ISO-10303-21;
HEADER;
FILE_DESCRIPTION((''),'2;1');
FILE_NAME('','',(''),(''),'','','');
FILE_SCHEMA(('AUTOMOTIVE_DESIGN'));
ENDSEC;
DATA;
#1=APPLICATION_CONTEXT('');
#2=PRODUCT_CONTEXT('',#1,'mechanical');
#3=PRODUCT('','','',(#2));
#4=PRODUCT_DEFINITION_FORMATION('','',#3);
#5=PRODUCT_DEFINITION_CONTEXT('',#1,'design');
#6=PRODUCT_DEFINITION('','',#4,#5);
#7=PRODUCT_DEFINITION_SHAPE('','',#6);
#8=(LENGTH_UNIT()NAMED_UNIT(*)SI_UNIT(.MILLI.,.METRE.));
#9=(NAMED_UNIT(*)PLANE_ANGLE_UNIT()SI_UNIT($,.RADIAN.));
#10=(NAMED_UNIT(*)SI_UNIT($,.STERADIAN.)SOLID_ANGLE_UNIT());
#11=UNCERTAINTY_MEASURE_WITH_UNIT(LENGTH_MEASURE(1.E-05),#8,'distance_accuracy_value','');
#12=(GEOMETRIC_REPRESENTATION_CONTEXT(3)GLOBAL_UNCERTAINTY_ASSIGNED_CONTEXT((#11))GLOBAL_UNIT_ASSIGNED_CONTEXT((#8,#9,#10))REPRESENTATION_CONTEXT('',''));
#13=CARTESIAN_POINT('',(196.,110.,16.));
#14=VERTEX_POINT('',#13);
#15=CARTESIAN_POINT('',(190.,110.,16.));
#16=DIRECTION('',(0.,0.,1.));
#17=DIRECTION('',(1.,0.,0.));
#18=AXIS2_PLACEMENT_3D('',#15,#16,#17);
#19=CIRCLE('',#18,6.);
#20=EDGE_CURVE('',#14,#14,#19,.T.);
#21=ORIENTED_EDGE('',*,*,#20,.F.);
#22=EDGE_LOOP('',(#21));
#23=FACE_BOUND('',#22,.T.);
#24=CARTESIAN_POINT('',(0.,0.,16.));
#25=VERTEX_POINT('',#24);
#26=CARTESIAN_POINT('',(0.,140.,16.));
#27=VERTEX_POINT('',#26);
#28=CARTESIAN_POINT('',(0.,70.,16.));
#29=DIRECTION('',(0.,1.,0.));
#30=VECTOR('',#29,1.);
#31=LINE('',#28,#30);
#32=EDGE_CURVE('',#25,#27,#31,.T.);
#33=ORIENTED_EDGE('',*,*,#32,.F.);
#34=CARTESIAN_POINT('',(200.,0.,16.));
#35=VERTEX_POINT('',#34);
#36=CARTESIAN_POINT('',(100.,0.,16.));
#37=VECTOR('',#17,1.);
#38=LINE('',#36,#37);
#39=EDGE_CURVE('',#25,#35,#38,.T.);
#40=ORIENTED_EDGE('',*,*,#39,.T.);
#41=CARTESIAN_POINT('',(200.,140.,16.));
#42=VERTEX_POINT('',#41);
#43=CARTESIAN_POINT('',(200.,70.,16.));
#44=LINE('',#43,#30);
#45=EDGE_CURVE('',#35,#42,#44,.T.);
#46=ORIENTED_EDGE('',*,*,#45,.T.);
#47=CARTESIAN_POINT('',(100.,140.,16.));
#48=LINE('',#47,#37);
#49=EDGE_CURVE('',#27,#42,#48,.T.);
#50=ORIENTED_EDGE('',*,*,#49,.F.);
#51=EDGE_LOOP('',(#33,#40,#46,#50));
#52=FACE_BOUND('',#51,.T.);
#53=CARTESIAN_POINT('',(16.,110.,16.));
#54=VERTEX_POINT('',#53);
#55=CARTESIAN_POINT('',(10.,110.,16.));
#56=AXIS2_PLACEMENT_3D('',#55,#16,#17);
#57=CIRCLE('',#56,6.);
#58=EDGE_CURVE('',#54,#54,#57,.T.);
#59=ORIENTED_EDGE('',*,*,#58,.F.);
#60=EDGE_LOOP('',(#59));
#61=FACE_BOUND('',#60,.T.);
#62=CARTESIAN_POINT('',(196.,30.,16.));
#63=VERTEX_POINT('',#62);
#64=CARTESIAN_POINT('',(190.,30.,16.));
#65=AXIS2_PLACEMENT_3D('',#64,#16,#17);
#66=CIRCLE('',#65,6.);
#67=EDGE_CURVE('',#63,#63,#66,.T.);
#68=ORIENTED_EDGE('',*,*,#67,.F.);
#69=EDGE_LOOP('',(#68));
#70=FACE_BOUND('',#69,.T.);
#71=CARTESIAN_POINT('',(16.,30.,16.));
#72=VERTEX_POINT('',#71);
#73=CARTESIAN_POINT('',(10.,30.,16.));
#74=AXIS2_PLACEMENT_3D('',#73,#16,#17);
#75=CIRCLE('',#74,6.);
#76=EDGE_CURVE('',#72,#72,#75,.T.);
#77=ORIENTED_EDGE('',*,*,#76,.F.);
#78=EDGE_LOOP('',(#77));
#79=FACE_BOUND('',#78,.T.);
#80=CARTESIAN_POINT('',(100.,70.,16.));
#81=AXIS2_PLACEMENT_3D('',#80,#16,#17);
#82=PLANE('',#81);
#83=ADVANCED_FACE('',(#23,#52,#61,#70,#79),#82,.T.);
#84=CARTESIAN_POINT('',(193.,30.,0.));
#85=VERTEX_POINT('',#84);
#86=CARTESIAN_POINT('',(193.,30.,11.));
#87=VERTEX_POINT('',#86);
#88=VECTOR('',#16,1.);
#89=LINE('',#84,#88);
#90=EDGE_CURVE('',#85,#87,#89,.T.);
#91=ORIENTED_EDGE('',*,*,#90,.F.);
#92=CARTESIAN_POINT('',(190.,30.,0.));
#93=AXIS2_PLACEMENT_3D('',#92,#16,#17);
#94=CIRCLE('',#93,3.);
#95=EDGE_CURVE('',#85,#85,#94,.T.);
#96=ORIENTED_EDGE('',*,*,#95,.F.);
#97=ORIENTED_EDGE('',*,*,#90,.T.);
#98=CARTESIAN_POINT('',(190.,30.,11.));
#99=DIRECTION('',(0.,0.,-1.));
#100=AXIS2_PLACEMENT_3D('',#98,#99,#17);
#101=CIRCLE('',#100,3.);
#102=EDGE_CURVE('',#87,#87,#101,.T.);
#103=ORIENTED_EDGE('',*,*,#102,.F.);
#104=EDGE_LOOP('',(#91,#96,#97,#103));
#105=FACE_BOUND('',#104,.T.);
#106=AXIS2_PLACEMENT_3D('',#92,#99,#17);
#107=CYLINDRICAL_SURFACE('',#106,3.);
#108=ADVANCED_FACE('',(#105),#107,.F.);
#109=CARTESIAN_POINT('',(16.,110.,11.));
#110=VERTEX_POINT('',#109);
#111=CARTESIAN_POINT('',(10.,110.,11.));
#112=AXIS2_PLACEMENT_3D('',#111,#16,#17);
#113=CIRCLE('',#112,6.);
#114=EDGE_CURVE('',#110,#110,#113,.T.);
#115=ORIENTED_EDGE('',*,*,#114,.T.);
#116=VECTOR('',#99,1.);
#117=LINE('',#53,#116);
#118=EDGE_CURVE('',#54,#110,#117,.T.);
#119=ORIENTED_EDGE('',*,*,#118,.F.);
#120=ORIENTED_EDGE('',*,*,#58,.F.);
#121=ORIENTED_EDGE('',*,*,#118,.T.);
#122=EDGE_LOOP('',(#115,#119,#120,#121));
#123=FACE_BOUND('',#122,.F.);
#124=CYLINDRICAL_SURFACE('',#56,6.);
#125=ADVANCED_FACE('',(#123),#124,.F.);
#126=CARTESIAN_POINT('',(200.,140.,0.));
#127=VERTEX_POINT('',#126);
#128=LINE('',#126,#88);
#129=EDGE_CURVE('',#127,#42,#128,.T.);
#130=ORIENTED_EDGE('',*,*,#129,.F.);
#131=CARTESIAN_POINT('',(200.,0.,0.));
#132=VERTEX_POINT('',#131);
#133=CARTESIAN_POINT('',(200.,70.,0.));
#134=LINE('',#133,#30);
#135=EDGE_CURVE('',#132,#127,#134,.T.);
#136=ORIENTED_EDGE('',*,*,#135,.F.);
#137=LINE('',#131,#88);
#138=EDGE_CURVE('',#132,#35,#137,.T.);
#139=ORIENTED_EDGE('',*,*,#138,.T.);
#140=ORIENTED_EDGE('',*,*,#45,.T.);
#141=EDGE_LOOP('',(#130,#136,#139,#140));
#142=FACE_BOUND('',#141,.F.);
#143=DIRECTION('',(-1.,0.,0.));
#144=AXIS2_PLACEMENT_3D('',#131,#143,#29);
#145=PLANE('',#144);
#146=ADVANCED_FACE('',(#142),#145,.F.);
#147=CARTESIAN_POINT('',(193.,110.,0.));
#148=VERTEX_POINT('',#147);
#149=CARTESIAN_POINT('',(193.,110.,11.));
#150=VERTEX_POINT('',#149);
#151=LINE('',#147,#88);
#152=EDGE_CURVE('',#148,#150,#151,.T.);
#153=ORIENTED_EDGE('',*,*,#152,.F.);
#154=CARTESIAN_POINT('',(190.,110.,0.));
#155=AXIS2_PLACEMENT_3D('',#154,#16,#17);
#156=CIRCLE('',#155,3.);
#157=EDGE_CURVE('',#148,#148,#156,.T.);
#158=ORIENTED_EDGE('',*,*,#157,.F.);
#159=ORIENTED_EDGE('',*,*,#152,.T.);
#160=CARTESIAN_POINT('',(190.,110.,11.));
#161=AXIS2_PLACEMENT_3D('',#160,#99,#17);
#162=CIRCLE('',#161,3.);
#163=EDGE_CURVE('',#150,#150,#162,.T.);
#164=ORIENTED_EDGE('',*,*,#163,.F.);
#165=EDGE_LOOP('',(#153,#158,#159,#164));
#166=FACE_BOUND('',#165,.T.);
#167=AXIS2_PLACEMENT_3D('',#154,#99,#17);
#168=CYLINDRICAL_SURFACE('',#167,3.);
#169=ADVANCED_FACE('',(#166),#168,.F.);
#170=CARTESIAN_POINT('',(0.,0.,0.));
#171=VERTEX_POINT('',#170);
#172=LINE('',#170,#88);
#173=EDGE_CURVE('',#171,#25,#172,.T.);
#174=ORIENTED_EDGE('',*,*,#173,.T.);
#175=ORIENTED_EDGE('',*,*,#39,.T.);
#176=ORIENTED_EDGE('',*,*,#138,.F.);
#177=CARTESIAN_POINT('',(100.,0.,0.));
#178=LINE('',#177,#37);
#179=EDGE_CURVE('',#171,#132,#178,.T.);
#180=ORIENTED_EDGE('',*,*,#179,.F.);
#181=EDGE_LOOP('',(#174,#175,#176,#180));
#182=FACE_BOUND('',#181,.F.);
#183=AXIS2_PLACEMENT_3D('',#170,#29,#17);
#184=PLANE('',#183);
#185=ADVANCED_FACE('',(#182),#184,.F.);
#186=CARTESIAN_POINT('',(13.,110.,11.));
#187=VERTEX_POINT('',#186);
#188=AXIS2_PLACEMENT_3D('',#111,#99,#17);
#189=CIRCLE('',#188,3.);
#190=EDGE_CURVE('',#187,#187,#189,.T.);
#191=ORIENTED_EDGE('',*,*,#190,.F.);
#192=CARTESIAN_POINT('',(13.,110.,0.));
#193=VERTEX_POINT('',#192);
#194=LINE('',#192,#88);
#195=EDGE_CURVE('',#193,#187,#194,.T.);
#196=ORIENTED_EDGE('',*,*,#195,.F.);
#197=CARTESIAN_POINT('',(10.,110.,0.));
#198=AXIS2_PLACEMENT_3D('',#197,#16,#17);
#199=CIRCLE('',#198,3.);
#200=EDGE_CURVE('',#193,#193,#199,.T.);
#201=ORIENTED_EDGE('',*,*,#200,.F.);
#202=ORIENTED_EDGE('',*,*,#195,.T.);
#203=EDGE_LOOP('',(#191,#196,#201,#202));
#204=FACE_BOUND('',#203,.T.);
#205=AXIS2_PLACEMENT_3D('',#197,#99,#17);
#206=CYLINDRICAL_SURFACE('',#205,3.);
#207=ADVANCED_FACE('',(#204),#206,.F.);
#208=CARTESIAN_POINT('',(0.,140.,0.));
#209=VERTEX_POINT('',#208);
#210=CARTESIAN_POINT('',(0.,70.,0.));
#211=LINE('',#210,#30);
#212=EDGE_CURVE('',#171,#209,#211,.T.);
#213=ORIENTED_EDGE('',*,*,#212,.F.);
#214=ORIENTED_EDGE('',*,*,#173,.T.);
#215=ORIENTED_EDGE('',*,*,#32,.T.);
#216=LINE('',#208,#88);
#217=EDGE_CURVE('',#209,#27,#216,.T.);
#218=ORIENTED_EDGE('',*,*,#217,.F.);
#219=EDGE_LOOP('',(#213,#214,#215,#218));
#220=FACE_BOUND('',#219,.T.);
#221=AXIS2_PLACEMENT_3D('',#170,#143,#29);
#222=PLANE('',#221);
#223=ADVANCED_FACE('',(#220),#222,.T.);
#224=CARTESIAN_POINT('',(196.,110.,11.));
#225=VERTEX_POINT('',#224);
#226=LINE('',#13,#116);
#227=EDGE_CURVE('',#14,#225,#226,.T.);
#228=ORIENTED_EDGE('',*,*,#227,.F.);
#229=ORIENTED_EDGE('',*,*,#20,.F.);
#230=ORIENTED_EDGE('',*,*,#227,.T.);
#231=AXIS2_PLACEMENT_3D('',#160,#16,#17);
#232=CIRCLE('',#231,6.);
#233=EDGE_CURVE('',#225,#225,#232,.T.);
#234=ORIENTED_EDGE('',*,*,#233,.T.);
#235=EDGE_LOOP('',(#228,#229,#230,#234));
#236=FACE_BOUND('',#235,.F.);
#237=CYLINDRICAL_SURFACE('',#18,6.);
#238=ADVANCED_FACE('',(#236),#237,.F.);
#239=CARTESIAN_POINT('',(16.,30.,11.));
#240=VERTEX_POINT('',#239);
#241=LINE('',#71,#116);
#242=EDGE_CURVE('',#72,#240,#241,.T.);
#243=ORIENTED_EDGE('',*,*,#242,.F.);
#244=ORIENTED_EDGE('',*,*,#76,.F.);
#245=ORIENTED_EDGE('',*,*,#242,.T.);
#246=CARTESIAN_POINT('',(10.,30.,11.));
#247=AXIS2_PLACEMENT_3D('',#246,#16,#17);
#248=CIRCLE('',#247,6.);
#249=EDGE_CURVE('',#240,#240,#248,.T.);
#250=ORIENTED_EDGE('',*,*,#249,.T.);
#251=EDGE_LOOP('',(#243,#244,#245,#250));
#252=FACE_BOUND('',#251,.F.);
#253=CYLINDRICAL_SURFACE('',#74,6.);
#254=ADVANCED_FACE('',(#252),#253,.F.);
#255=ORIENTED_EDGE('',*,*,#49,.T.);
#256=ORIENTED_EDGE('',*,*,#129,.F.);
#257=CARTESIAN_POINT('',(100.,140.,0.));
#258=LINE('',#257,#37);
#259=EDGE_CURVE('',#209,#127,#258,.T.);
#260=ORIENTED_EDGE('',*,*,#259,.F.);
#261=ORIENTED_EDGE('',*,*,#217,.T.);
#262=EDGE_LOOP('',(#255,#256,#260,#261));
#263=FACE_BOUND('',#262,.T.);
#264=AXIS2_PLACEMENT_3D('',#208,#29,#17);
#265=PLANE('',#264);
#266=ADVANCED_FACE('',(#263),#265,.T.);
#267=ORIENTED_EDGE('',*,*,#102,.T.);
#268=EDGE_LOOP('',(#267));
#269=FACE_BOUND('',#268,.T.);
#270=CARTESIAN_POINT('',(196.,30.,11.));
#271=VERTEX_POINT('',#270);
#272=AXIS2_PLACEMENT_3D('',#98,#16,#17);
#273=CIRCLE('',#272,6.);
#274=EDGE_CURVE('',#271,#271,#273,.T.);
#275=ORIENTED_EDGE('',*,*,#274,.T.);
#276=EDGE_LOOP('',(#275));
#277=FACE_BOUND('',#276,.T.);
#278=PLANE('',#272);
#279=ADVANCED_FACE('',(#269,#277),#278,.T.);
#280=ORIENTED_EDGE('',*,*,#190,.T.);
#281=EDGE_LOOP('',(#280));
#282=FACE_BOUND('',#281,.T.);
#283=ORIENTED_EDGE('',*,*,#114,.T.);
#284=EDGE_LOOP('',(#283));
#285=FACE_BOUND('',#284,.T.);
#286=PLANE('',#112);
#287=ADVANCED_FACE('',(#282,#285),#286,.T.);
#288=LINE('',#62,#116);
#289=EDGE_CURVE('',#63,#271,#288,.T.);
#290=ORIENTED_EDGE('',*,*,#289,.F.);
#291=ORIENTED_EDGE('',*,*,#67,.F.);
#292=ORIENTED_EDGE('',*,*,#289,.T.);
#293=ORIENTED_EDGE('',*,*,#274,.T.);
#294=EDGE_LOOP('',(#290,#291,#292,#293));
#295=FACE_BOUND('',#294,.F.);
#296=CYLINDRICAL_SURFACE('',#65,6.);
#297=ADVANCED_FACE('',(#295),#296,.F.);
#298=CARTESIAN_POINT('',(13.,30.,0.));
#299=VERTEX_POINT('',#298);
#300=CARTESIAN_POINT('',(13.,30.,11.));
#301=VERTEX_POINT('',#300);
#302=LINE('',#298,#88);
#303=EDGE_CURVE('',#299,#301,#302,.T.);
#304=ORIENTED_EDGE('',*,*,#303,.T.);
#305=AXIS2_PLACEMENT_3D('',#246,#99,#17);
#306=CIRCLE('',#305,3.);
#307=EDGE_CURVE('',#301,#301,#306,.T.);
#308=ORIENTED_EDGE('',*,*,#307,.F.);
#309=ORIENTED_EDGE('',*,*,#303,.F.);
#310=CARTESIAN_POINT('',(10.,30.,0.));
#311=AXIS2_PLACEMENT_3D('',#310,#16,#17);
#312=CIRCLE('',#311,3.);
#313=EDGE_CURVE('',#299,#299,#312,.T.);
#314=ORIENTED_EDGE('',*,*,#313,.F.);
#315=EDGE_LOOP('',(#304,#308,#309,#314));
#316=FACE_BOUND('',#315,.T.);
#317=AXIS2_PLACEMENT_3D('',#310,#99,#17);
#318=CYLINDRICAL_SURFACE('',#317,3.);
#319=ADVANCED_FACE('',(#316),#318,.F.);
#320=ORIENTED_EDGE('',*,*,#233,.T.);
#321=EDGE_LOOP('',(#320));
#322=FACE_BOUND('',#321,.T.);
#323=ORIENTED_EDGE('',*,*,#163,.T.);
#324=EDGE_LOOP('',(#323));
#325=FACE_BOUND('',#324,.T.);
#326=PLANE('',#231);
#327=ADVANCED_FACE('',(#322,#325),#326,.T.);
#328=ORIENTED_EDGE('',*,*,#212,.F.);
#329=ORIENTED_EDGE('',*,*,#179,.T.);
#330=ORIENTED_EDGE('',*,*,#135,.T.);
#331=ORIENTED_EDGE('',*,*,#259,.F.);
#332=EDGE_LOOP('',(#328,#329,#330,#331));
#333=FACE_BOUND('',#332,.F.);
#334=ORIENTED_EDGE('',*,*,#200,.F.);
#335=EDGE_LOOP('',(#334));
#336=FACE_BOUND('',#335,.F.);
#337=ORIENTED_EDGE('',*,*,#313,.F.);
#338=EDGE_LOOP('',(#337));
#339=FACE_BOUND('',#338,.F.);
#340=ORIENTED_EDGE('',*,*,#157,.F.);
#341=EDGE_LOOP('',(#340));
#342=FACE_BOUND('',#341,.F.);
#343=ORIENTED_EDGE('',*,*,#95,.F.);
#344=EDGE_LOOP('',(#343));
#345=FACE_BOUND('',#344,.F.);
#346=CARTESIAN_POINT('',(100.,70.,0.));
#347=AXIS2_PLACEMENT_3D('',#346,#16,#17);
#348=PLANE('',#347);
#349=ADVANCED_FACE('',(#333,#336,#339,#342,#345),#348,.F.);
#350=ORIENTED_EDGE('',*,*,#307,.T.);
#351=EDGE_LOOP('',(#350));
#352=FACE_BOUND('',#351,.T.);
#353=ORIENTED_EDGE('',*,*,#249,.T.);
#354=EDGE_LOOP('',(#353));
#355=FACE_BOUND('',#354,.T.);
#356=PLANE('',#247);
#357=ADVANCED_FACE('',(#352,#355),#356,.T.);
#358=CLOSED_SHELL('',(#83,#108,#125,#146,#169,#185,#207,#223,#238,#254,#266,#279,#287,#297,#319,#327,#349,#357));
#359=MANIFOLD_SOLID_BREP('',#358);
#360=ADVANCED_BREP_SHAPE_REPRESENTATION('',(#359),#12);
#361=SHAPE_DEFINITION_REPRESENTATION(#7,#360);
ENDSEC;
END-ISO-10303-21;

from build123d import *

# Parameters (mm, degrees)
SKETCH_W     = 200
SKETCH_H     = 140
SKETCH_R     = 3
PAD_DEPTH    = 16
SKETCH001_R  = 6
POCKET_DEPTH = 5


with BuildPart() as part:
    # Sketch → Pad (new body)
    with BuildSketch(Plane.XY):
        with Locations((100, 70)):
            Rectangle(SKETCH_W, SKETCH_H)
        with Locations((10, 110)):
            Circle(SKETCH_R, mode=Mode.SUBTRACT)
        with Locations((10, 30)):
            Circle(SKETCH_R, mode=Mode.SUBTRACT)
        with Locations((190, 110)):
            Circle(SKETCH_R, mode=Mode.SUBTRACT)
        with Locations((190, 30)):
            Circle(SKETCH_R, mode=Mode.SUBTRACT)
    extrude(amount=PAD_DEPTH)

    # Sketch001 (on Face10 of Pad) → Pocket (cut)
    with BuildSketch(Plane.XY.offset(16)):
        with Locations((10, 110)):
            Circle(SKETCH001_R)
        with Locations((190, 110)):
            Circle(SKETCH001_R)
        with Locations((190, 30)):
            Circle(SKETCH001_R)
        with Locations((10, 30)):
            Circle(SKETCH001_R)
    extrude(amount=-POCKET_DEPTH, mode=Mode.SUBTRACT)


solid = part.part
